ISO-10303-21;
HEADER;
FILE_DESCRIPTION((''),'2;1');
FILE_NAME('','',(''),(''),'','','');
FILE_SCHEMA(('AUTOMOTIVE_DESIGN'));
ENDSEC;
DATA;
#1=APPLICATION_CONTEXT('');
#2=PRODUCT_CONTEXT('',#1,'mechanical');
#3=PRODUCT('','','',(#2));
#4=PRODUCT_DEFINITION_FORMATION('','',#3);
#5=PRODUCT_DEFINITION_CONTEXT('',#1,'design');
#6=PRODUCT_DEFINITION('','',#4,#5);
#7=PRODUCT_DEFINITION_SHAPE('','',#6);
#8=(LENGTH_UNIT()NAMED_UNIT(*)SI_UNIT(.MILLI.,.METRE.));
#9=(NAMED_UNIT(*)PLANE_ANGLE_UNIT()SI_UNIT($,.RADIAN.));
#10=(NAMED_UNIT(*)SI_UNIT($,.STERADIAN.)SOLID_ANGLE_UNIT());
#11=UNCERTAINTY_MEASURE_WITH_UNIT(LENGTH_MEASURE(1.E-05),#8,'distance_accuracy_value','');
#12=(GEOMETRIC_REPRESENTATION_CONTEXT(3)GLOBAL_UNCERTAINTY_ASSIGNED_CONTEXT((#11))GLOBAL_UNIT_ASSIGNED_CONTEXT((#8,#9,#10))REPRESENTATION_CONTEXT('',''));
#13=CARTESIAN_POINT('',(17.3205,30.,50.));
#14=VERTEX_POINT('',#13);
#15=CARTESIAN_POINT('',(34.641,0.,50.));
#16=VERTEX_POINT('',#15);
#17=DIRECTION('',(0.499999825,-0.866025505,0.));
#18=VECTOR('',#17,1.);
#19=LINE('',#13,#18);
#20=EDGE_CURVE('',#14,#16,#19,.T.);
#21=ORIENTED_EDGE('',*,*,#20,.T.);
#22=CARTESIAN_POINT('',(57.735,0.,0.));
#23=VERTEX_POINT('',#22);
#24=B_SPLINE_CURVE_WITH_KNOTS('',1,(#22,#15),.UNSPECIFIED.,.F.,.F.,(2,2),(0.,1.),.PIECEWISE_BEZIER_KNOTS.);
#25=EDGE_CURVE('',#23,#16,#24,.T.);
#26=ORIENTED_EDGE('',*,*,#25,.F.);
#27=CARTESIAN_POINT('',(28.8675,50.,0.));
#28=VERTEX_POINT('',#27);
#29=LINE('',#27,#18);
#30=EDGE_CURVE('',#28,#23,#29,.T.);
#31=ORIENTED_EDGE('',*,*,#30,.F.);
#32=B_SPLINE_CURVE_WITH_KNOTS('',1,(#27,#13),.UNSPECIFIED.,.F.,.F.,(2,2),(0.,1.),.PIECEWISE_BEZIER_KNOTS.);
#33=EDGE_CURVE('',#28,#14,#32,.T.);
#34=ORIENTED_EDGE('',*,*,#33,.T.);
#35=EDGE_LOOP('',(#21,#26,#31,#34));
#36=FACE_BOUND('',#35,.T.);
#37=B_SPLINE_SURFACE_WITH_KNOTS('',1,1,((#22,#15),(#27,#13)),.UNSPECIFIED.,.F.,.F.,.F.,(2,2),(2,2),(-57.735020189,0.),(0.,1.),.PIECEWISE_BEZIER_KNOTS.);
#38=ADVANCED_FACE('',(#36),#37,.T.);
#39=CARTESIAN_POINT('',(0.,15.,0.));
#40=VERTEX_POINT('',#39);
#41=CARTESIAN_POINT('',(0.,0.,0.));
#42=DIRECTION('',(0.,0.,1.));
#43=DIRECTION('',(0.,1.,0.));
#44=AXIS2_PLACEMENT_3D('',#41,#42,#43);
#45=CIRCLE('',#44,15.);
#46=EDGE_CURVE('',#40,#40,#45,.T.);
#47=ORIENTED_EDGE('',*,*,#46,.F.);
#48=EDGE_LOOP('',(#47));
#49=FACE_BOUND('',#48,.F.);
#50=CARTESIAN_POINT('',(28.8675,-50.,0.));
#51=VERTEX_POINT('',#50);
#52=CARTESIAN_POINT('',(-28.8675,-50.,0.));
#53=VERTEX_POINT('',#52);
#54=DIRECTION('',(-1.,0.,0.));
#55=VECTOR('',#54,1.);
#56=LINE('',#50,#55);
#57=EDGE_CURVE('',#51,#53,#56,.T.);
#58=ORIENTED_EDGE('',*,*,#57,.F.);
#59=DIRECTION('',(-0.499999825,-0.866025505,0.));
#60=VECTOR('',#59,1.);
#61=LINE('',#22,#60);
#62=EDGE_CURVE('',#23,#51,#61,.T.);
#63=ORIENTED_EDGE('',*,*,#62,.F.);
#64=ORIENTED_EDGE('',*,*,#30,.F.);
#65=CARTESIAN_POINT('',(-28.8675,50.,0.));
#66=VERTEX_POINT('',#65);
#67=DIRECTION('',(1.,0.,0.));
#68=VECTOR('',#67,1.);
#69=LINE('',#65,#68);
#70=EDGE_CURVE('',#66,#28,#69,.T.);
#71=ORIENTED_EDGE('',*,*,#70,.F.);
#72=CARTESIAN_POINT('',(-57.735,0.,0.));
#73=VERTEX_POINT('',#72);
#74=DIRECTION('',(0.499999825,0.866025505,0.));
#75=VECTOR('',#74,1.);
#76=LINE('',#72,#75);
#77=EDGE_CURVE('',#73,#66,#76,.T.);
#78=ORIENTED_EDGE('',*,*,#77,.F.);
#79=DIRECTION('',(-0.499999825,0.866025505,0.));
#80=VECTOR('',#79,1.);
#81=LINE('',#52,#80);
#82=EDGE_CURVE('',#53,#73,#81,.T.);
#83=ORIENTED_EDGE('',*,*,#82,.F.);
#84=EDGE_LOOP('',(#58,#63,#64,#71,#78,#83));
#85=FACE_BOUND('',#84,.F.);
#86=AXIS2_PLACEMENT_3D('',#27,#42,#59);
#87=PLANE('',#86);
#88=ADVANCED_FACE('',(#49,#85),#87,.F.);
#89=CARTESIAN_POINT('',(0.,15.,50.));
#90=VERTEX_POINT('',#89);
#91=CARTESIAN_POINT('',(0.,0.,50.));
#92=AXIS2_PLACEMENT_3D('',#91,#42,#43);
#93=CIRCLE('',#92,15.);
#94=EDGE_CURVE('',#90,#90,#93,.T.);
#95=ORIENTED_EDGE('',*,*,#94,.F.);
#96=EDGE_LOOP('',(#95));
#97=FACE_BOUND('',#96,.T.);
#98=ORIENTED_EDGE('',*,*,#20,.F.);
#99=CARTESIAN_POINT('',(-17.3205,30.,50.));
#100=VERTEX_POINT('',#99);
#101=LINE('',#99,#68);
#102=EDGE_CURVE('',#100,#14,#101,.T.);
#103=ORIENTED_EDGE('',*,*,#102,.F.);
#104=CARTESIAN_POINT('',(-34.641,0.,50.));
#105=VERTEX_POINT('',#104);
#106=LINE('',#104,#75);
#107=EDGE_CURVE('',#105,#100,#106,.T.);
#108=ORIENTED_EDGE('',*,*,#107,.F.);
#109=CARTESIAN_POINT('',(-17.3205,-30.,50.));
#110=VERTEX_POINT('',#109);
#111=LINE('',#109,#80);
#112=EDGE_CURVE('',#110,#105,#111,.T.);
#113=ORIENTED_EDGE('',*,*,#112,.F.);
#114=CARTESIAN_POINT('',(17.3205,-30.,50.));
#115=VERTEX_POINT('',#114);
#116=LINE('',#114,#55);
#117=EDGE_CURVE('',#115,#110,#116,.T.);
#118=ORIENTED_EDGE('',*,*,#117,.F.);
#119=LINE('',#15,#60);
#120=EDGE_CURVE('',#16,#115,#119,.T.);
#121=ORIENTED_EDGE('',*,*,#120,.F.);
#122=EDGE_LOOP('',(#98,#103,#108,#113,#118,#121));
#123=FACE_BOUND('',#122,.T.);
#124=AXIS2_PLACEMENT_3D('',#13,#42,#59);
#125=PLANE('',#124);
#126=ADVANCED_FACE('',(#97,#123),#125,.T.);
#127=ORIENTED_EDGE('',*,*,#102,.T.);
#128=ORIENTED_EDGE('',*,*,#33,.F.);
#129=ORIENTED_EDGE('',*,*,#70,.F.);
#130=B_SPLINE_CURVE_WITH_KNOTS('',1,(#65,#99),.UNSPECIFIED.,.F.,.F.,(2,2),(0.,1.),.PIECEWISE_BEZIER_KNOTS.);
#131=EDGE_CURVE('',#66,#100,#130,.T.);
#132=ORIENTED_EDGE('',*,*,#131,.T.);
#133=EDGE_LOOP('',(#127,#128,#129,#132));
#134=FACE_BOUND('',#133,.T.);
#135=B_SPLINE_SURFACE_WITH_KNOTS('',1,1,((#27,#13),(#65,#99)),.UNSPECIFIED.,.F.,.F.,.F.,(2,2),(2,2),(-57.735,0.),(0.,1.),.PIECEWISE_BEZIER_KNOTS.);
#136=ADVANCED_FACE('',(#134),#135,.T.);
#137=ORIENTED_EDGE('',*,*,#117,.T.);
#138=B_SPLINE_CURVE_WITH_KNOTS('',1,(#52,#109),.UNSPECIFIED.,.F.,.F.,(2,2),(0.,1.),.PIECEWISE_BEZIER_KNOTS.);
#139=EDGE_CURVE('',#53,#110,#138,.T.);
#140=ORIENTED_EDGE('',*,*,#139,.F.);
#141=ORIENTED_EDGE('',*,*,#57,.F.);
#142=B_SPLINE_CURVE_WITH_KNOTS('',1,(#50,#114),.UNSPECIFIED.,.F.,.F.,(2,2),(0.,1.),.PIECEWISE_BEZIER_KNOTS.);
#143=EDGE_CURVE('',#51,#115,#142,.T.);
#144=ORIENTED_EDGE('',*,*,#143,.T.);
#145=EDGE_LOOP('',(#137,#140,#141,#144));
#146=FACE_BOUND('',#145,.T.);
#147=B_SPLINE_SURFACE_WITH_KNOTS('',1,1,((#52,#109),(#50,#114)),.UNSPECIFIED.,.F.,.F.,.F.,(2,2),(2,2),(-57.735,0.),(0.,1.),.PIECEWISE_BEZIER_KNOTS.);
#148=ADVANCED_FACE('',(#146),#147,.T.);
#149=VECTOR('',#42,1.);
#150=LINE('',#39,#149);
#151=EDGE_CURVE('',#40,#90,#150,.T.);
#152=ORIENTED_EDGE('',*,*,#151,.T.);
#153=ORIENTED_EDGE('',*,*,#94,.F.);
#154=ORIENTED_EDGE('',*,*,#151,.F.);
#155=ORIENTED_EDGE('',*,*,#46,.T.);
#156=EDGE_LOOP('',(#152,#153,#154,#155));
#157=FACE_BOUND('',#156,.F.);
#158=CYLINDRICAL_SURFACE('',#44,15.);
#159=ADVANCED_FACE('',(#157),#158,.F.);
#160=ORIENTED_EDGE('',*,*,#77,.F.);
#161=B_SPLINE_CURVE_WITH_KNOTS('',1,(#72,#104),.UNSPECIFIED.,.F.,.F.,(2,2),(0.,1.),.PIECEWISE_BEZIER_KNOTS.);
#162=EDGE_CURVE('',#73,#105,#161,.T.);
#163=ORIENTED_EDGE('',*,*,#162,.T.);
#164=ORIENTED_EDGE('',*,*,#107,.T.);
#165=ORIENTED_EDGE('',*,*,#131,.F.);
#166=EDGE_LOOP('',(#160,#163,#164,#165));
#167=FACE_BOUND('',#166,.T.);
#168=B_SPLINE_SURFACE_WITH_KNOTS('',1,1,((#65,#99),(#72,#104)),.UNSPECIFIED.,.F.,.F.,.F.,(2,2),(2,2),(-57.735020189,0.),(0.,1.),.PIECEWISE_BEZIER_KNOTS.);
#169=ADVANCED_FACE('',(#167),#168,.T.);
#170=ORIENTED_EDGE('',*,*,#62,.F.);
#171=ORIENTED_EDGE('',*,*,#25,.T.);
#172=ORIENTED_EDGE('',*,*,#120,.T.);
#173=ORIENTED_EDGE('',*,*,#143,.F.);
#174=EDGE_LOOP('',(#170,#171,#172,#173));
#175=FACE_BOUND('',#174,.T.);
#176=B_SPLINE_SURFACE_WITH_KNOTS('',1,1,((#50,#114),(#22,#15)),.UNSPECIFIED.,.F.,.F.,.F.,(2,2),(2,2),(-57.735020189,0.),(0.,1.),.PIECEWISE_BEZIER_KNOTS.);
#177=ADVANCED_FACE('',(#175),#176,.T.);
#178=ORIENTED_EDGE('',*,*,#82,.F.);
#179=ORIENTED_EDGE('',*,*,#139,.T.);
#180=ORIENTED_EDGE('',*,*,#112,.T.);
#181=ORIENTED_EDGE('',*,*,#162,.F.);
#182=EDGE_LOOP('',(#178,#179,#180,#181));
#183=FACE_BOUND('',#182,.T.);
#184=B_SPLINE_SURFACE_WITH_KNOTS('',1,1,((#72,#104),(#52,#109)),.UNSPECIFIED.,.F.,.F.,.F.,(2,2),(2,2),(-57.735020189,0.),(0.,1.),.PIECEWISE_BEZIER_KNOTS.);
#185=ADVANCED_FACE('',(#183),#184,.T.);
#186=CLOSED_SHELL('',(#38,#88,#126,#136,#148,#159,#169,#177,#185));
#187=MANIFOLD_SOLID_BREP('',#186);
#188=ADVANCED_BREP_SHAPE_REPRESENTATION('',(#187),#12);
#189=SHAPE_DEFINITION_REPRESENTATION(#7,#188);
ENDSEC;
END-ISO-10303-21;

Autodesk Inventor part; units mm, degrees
ref_plane "YZ Plane" through (0, 0, 0) normal (1, 0, 0) x (0, 1, 0)
ref_plane "XZ Plane" through (0, 0, 0) normal (0, 1, 0) x (-1, 0, 0)
sketch "Sketch3" plane through (0, 0, 0) normal (0, 0, 1) x (1, 0, 0)
  line L0 (28.8675, 50) -> (57.735, 0)
  line L1 (57.735, 0) -> (28.8675, -50)
  line L2 (28.8675, -50) -> (-28.8675, -50)
  line L3 (-28.8675, -50) -> (-57.735, 0)
  line L4 (-57.735, 0) -> (-28.8675, 50)
  line L5 (-28.8675, 50) -> (28.8675, 50)
  point P0 (0, 0)
  point P1 (0, 50)
  dimension "DS_HEX_R1" = 50
ref_plane "Work Plane1" through (0, 0, 50) normal (0, 0, 1) x (1, 0, 0)
sketch "Sketch4" plane through (0, 0, 50) normal (0, 0, 1) x (1, 0, 0)
  line L0 (17.3205, 30) -> (34.641, 0)
  line L1 (34.641, 0) -> (17.3205, -30)
  line L2 (17.3205, -30) -> (-17.3205, -30)
  line L3 (-17.3205, -30) -> (-34.641, 0)
  line L4 (-34.641, 0) -> (-17.3205, 30)
  line L5 (-17.3205, 30) -> (17.3205, 30)
  point P0 (0, 0)
  point P1 (0, 0)
  point P2 (0, 30)
  dimension "d16" = 0
  dimension "DS_HEX_R2" = 30
loft "Loft1" add profiles "Sketch3", "Sketch4"
sketch "Sketch6" plane through (0, 0, 0) normal (0, 0, 1) x (1, 0, 0)
  point P0 (0, 0)
hole "Hole3" at (0, 0, 0) direction (0, 0, 1) diameter 30 end through all
properties part number "ai_param_dsdm_part1"
